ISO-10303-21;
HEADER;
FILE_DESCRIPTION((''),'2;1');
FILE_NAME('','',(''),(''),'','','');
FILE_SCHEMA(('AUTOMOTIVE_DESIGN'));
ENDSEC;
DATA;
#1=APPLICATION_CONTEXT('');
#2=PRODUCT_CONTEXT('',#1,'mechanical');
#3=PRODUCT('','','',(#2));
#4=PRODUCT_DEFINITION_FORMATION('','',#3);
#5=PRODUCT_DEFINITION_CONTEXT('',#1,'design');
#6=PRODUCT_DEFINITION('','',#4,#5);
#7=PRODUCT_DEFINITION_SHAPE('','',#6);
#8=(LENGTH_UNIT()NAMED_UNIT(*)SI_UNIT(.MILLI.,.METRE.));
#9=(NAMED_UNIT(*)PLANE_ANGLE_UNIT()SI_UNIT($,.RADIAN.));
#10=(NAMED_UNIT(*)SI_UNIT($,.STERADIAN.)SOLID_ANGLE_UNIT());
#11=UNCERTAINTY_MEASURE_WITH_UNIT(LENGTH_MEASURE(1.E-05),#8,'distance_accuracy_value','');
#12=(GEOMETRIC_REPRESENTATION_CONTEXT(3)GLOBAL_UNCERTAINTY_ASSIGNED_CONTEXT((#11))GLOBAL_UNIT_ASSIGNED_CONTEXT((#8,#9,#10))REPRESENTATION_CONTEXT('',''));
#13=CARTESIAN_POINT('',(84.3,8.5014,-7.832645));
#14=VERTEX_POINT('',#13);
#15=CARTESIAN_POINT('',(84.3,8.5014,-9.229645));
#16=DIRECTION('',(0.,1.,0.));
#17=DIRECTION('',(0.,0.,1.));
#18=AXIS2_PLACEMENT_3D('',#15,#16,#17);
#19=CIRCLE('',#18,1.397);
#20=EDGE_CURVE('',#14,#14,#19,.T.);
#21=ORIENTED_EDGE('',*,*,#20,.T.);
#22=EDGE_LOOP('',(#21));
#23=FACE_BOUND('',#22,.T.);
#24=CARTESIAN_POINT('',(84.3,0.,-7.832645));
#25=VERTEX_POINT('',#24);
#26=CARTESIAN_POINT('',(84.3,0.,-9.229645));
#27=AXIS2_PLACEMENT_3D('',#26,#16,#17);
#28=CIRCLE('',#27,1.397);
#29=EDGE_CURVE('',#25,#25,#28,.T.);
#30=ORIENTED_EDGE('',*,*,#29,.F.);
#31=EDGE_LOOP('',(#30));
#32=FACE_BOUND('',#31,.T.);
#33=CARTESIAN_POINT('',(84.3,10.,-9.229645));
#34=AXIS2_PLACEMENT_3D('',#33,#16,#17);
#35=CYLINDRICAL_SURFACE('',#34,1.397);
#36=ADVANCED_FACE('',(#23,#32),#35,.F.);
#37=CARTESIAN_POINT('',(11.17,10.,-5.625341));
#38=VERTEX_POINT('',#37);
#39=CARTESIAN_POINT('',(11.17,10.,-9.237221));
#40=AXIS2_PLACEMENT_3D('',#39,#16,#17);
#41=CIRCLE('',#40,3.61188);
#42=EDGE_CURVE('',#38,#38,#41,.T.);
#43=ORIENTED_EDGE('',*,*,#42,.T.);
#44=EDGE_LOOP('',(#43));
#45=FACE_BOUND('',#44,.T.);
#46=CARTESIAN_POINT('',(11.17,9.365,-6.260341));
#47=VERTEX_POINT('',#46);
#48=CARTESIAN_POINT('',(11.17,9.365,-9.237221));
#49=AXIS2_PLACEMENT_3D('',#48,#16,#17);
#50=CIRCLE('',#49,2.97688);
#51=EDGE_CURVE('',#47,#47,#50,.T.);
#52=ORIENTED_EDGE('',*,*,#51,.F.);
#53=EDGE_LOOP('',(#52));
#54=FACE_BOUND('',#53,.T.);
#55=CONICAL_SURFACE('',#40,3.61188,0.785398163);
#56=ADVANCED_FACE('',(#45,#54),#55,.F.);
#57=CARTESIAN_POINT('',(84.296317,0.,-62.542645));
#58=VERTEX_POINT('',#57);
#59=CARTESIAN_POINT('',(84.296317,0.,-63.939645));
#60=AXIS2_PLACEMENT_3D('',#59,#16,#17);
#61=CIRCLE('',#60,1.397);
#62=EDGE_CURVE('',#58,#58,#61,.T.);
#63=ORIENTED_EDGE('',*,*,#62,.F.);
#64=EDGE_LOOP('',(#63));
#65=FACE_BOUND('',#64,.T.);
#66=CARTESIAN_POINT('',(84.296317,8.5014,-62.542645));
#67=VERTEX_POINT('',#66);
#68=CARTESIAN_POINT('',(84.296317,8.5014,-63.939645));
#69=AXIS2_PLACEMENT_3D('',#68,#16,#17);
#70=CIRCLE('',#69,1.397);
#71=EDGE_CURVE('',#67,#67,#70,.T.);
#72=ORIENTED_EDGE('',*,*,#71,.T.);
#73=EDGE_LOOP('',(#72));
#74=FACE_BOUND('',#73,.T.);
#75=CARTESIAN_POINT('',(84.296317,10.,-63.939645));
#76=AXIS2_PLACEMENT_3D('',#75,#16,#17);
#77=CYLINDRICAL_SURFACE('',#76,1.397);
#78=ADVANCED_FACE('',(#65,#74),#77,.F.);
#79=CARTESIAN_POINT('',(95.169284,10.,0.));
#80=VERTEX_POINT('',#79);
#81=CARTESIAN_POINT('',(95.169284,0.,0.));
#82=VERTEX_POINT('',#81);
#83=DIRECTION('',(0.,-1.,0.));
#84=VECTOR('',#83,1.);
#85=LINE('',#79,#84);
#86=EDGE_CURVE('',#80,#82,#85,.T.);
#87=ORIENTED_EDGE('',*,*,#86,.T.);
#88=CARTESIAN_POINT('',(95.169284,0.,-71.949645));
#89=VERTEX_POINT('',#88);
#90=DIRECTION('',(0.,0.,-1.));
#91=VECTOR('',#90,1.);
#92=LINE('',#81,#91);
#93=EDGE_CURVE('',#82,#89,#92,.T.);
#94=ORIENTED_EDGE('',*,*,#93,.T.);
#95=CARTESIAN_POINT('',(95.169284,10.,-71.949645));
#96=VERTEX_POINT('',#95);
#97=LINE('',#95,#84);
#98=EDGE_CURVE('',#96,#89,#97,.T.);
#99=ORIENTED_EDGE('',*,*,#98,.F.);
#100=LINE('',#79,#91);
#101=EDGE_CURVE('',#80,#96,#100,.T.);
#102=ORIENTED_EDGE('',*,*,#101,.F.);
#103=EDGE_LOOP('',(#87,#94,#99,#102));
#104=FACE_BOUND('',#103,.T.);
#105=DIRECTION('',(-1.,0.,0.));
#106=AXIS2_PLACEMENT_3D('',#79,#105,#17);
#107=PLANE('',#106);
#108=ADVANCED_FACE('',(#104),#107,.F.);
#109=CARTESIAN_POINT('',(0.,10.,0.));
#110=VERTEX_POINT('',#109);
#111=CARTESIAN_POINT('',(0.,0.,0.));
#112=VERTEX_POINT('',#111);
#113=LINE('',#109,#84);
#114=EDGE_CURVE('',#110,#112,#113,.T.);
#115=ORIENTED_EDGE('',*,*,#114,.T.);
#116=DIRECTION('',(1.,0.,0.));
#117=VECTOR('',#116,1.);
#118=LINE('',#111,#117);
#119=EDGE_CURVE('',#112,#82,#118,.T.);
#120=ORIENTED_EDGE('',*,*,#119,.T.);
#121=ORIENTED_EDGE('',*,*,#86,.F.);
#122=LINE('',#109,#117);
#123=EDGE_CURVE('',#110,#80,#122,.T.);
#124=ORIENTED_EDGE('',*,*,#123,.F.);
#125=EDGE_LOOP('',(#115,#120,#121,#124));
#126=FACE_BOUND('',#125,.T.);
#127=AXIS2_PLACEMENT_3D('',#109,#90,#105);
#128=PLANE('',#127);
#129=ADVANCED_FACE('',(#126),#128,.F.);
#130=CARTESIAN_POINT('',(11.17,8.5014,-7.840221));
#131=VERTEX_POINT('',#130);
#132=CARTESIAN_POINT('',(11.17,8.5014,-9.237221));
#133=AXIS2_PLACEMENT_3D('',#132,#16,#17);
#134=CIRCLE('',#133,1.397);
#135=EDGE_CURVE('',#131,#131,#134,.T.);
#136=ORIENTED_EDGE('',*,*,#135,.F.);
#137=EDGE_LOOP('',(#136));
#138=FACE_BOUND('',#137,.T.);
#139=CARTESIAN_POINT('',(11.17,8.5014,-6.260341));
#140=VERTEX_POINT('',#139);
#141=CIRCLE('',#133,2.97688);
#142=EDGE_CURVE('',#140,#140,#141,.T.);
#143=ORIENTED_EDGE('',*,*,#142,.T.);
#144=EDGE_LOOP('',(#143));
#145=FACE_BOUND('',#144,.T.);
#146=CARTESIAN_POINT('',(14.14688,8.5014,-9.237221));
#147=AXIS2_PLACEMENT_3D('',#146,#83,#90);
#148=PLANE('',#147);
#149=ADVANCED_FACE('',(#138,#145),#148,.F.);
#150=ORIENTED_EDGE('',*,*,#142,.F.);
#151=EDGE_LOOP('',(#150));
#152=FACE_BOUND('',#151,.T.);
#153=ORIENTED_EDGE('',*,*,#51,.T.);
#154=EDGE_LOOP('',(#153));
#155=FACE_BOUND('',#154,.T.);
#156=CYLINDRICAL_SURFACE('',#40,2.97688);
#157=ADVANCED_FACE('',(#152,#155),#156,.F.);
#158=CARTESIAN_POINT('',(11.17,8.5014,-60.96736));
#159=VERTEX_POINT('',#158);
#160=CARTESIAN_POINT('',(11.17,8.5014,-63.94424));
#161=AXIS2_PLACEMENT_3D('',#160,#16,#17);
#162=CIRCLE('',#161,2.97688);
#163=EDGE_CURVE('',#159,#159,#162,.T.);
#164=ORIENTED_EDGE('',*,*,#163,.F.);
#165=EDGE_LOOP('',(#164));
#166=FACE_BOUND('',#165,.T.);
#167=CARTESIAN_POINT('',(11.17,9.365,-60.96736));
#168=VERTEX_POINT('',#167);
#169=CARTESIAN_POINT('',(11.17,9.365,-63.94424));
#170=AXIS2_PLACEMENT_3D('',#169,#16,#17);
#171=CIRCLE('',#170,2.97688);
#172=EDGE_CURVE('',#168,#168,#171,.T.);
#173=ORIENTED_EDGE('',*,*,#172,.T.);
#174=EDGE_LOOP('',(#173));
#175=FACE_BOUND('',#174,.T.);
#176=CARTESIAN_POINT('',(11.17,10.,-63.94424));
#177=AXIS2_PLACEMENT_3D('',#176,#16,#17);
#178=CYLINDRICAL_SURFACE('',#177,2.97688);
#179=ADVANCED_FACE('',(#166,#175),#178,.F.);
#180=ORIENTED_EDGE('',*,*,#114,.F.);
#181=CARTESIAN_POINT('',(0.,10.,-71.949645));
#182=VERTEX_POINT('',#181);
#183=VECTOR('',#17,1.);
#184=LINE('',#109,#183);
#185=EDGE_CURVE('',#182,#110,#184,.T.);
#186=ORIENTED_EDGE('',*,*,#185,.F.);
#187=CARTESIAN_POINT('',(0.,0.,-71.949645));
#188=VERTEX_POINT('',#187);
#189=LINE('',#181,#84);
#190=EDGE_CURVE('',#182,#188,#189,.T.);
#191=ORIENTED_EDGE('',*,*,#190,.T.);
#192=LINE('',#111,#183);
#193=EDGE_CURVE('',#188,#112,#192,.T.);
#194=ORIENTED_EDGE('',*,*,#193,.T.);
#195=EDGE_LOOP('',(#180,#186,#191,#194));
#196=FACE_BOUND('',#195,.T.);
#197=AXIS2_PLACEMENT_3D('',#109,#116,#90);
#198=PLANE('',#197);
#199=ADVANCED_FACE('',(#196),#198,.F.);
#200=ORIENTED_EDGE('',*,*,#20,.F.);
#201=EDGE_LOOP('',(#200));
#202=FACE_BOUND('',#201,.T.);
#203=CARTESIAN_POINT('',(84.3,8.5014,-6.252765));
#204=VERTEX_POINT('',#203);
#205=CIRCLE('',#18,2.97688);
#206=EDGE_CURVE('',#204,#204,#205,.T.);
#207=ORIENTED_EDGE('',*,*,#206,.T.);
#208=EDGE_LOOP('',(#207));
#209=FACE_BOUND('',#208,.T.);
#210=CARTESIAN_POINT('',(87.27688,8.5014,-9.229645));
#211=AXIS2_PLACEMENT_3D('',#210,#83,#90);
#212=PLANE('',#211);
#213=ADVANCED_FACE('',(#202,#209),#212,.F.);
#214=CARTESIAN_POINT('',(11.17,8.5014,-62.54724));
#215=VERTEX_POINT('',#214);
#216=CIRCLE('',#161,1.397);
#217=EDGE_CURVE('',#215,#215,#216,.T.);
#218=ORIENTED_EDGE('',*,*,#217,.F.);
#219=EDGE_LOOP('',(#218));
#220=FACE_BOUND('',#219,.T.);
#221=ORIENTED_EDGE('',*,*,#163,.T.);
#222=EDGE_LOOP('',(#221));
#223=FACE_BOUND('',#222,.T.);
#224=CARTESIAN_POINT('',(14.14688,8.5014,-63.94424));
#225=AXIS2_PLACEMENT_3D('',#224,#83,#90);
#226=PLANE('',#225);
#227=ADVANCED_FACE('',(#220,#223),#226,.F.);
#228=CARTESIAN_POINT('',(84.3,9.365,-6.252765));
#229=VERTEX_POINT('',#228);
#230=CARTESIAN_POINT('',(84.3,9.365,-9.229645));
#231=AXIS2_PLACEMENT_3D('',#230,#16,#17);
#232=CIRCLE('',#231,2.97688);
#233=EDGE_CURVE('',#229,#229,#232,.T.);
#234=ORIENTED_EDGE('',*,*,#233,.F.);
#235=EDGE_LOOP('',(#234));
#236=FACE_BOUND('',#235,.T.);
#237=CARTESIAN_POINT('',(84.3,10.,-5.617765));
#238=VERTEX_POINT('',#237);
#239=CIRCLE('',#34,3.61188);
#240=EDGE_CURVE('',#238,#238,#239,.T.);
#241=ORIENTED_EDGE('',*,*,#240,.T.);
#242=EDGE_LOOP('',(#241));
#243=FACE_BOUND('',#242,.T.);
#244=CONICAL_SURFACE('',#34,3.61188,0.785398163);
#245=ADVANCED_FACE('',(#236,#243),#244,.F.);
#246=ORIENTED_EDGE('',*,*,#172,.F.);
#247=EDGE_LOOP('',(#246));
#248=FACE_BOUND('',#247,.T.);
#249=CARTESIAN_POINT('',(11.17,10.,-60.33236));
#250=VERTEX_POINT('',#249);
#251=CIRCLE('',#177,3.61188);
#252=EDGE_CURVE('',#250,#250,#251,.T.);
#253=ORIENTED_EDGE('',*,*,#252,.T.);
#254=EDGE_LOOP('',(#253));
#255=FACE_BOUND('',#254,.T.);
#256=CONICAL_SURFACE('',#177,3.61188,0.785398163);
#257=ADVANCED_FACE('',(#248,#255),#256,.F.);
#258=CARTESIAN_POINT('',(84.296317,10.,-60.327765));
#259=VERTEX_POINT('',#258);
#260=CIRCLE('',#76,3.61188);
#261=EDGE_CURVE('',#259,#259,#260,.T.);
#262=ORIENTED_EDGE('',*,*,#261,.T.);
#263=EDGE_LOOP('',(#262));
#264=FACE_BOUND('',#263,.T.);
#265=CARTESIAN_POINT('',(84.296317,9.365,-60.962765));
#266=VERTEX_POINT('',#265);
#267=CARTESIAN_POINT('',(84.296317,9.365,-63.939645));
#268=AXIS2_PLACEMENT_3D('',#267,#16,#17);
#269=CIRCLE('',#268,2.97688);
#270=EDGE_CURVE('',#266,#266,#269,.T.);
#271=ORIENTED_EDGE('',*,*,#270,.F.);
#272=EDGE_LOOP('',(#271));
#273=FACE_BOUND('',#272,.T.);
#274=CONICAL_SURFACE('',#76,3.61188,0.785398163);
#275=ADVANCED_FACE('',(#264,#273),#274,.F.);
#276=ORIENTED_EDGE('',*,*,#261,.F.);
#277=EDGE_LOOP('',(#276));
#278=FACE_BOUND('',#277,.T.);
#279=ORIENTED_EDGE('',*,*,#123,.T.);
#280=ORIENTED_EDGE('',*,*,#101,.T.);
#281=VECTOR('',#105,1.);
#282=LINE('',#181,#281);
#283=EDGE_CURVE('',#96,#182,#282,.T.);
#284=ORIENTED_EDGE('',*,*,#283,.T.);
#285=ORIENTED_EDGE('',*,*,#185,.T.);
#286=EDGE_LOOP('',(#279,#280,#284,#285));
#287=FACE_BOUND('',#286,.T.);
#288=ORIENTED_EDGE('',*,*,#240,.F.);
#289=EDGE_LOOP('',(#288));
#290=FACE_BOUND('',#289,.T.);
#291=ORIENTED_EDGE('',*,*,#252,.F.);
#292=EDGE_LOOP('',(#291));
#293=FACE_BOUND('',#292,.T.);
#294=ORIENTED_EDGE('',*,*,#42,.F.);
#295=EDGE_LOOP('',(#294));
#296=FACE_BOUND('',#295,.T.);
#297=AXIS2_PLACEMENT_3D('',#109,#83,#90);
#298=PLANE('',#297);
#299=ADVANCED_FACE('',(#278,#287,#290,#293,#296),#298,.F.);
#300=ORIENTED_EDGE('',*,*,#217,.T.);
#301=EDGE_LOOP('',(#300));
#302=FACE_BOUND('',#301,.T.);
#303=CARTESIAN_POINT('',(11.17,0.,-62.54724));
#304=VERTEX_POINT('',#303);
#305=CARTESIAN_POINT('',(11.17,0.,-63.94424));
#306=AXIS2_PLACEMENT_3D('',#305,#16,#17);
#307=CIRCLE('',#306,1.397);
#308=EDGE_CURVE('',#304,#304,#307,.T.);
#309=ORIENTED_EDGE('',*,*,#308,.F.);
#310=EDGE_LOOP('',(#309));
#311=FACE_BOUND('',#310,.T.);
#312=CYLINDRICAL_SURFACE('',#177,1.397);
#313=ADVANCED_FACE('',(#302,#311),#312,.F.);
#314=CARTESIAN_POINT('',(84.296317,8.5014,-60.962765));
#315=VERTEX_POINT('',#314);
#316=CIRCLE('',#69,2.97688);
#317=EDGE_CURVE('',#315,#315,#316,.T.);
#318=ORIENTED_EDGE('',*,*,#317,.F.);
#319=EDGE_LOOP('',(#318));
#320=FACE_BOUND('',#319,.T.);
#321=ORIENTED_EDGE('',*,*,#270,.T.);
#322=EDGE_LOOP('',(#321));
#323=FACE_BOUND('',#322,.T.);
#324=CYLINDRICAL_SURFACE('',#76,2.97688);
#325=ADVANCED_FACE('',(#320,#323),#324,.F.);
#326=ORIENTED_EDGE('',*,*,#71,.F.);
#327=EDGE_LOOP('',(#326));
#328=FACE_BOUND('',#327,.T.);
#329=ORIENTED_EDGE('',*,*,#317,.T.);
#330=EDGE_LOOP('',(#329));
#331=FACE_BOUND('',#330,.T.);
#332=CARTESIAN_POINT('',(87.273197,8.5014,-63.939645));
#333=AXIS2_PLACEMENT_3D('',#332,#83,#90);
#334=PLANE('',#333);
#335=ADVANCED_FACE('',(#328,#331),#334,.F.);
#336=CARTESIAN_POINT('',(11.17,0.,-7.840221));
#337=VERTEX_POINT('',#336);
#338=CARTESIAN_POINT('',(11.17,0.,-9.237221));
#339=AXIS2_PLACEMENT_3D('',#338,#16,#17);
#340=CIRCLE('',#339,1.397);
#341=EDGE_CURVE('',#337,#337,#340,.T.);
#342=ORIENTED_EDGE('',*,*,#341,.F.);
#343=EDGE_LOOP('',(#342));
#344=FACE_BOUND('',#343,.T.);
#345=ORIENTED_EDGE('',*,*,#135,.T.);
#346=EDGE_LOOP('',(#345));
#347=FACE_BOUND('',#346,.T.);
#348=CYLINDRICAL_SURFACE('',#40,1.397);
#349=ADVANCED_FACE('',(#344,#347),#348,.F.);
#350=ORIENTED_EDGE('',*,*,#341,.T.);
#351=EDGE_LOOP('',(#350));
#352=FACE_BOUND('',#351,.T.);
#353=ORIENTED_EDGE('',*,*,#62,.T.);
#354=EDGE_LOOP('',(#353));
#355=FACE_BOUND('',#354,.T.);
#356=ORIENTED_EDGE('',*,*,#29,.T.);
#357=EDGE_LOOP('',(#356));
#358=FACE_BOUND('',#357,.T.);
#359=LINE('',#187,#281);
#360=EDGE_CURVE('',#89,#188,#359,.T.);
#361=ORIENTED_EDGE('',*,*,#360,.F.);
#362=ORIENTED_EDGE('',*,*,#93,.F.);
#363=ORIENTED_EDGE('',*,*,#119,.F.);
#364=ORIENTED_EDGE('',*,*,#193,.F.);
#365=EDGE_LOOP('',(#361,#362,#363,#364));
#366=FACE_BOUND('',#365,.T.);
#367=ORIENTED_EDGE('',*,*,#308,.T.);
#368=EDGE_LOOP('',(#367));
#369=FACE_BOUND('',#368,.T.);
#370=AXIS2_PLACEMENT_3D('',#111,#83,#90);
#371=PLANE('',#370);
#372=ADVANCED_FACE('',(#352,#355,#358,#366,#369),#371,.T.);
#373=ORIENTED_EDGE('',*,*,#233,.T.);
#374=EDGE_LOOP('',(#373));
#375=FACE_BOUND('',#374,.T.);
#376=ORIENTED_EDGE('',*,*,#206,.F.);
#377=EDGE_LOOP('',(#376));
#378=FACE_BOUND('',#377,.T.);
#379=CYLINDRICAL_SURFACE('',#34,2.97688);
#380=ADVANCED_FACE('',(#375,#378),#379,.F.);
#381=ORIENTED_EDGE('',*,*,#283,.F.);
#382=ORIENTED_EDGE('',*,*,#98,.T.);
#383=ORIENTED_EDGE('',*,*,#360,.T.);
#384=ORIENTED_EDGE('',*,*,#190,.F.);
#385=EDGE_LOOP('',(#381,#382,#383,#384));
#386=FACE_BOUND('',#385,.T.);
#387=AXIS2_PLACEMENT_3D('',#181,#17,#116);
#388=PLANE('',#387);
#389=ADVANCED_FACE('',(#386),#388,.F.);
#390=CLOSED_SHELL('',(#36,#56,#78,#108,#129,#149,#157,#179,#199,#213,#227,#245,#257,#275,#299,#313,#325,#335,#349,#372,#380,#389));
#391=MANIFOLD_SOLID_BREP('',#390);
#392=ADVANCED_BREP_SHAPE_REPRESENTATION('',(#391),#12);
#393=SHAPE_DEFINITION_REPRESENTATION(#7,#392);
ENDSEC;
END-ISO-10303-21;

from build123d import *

# Parameters (mm, degrees)
SKETCH1_W                                   = 95.169284227
SKETCH1_H                                   = 71.949644858
BOSS_EXTRUDE1_DEPTH                         = 10
CBORE_FOR_3_BINDING_HEAD_MACHINE_SC_2_COUNT = 2
CBORE_FOR_3_BINDING_HEAD_MACHINE_SC_2_PITCH = 54.707018707
CBORE_FOR_3_BINDING_HEAD_MACHINE_SC_3_COUNT = 2
CBORE_FOR_3_BINDING_HEAD_MACHINE_SC_3_PITCH = 73.126317411
CBORE_FOR_3_BINDING_HEAD_MACHINE_SC_4_COUNT = 2
CBORE_FOR_3_BINDING_HEAD_MACHINE_SC_4_PITCH = 91.332818695


with BuildPart() as part:
    # Sketch1 → Boss-Extrude1 (new body)
    with BuildSketch(Plane(origin=(0, 0, 0), x_dir=(1, 0, 0), z_dir=(0, 1, 0))):
        with Locations((47.584642114, 35.974822429)):
            Rectangle(SKETCH1_W, SKETCH1_H)
    extrude(amount=BOSS_EXTRUDE1_DEPTH)

    # Sketch3 → CBORE for #3 Binding Head Machine Screw1 (revolve, cut)
    with BuildSketch(Plane(origin=(11.17, 10, -63.944240186), x_dir=(0, 0, 1), z_dir=(1, 0, 0))):
        Polygon((0, 0), (0, 10), (1.397, 10), (1.397, 1.4986), (2.97688, 1.4986), (2.97688, 0.635), (3.61188, 0), align=None)
    cbore_for_3_binding_head_machine_screw1 = revolve(axis=Axis((11.17, 16.35, -63.944240186), (0, -1, 0)), mode=Mode.SUBTRACT)

    # CBORE for _3 Binding Head Machine Sc 2: CBORE for #3 Binding Head Machine Screw1 ×2
    with Locations(*[(0, 0, i * CBORE_FOR_3_BINDING_HEAD_MACHINE_SC_2_PITCH) for i in range(1, CBORE_FOR_3_BINDING_HEAD_MACHINE_SC_2_COUNT)]):
        add(cbore_for_3_binding_head_machine_screw1, mode=Mode.SUBTRACT)

    # CBORE for _3 Binding Head Machine Sc 3: CBORE for #3 Binding Head Machine Screw1 ×2
    with Locations(*[Vector(0.9999999980255075, 0, 6.284095007611635e-05) * (i * CBORE_FOR_3_BINDING_HEAD_MACHINE_SC_3_PITCH) for i in range(1, CBORE_FOR_3_BINDING_HEAD_MACHINE_SC_3_COUNT)]):
        add(cbore_for_3_binding_head_machine_screw1, mode=Mode.SUBTRACT)

    # CBORE for _3 Binding Head Machine Sc 4: CBORE for #3 Binding Head Machine Screw1 ×2
    with Locations(*[Vector(0.8006979380692495, 0, 0.5990682865681111) * (i * CBORE_FOR_3_BINDING_HEAD_MACHINE_SC_4_PITCH) for i in range(1, CBORE_FOR_3_BINDING_HEAD_MACHINE_SC_4_COUNT)]):
        add(cbore_for_3_binding_head_machine_screw1, mode=Mode.SUBTRACT)


solid = part.part
